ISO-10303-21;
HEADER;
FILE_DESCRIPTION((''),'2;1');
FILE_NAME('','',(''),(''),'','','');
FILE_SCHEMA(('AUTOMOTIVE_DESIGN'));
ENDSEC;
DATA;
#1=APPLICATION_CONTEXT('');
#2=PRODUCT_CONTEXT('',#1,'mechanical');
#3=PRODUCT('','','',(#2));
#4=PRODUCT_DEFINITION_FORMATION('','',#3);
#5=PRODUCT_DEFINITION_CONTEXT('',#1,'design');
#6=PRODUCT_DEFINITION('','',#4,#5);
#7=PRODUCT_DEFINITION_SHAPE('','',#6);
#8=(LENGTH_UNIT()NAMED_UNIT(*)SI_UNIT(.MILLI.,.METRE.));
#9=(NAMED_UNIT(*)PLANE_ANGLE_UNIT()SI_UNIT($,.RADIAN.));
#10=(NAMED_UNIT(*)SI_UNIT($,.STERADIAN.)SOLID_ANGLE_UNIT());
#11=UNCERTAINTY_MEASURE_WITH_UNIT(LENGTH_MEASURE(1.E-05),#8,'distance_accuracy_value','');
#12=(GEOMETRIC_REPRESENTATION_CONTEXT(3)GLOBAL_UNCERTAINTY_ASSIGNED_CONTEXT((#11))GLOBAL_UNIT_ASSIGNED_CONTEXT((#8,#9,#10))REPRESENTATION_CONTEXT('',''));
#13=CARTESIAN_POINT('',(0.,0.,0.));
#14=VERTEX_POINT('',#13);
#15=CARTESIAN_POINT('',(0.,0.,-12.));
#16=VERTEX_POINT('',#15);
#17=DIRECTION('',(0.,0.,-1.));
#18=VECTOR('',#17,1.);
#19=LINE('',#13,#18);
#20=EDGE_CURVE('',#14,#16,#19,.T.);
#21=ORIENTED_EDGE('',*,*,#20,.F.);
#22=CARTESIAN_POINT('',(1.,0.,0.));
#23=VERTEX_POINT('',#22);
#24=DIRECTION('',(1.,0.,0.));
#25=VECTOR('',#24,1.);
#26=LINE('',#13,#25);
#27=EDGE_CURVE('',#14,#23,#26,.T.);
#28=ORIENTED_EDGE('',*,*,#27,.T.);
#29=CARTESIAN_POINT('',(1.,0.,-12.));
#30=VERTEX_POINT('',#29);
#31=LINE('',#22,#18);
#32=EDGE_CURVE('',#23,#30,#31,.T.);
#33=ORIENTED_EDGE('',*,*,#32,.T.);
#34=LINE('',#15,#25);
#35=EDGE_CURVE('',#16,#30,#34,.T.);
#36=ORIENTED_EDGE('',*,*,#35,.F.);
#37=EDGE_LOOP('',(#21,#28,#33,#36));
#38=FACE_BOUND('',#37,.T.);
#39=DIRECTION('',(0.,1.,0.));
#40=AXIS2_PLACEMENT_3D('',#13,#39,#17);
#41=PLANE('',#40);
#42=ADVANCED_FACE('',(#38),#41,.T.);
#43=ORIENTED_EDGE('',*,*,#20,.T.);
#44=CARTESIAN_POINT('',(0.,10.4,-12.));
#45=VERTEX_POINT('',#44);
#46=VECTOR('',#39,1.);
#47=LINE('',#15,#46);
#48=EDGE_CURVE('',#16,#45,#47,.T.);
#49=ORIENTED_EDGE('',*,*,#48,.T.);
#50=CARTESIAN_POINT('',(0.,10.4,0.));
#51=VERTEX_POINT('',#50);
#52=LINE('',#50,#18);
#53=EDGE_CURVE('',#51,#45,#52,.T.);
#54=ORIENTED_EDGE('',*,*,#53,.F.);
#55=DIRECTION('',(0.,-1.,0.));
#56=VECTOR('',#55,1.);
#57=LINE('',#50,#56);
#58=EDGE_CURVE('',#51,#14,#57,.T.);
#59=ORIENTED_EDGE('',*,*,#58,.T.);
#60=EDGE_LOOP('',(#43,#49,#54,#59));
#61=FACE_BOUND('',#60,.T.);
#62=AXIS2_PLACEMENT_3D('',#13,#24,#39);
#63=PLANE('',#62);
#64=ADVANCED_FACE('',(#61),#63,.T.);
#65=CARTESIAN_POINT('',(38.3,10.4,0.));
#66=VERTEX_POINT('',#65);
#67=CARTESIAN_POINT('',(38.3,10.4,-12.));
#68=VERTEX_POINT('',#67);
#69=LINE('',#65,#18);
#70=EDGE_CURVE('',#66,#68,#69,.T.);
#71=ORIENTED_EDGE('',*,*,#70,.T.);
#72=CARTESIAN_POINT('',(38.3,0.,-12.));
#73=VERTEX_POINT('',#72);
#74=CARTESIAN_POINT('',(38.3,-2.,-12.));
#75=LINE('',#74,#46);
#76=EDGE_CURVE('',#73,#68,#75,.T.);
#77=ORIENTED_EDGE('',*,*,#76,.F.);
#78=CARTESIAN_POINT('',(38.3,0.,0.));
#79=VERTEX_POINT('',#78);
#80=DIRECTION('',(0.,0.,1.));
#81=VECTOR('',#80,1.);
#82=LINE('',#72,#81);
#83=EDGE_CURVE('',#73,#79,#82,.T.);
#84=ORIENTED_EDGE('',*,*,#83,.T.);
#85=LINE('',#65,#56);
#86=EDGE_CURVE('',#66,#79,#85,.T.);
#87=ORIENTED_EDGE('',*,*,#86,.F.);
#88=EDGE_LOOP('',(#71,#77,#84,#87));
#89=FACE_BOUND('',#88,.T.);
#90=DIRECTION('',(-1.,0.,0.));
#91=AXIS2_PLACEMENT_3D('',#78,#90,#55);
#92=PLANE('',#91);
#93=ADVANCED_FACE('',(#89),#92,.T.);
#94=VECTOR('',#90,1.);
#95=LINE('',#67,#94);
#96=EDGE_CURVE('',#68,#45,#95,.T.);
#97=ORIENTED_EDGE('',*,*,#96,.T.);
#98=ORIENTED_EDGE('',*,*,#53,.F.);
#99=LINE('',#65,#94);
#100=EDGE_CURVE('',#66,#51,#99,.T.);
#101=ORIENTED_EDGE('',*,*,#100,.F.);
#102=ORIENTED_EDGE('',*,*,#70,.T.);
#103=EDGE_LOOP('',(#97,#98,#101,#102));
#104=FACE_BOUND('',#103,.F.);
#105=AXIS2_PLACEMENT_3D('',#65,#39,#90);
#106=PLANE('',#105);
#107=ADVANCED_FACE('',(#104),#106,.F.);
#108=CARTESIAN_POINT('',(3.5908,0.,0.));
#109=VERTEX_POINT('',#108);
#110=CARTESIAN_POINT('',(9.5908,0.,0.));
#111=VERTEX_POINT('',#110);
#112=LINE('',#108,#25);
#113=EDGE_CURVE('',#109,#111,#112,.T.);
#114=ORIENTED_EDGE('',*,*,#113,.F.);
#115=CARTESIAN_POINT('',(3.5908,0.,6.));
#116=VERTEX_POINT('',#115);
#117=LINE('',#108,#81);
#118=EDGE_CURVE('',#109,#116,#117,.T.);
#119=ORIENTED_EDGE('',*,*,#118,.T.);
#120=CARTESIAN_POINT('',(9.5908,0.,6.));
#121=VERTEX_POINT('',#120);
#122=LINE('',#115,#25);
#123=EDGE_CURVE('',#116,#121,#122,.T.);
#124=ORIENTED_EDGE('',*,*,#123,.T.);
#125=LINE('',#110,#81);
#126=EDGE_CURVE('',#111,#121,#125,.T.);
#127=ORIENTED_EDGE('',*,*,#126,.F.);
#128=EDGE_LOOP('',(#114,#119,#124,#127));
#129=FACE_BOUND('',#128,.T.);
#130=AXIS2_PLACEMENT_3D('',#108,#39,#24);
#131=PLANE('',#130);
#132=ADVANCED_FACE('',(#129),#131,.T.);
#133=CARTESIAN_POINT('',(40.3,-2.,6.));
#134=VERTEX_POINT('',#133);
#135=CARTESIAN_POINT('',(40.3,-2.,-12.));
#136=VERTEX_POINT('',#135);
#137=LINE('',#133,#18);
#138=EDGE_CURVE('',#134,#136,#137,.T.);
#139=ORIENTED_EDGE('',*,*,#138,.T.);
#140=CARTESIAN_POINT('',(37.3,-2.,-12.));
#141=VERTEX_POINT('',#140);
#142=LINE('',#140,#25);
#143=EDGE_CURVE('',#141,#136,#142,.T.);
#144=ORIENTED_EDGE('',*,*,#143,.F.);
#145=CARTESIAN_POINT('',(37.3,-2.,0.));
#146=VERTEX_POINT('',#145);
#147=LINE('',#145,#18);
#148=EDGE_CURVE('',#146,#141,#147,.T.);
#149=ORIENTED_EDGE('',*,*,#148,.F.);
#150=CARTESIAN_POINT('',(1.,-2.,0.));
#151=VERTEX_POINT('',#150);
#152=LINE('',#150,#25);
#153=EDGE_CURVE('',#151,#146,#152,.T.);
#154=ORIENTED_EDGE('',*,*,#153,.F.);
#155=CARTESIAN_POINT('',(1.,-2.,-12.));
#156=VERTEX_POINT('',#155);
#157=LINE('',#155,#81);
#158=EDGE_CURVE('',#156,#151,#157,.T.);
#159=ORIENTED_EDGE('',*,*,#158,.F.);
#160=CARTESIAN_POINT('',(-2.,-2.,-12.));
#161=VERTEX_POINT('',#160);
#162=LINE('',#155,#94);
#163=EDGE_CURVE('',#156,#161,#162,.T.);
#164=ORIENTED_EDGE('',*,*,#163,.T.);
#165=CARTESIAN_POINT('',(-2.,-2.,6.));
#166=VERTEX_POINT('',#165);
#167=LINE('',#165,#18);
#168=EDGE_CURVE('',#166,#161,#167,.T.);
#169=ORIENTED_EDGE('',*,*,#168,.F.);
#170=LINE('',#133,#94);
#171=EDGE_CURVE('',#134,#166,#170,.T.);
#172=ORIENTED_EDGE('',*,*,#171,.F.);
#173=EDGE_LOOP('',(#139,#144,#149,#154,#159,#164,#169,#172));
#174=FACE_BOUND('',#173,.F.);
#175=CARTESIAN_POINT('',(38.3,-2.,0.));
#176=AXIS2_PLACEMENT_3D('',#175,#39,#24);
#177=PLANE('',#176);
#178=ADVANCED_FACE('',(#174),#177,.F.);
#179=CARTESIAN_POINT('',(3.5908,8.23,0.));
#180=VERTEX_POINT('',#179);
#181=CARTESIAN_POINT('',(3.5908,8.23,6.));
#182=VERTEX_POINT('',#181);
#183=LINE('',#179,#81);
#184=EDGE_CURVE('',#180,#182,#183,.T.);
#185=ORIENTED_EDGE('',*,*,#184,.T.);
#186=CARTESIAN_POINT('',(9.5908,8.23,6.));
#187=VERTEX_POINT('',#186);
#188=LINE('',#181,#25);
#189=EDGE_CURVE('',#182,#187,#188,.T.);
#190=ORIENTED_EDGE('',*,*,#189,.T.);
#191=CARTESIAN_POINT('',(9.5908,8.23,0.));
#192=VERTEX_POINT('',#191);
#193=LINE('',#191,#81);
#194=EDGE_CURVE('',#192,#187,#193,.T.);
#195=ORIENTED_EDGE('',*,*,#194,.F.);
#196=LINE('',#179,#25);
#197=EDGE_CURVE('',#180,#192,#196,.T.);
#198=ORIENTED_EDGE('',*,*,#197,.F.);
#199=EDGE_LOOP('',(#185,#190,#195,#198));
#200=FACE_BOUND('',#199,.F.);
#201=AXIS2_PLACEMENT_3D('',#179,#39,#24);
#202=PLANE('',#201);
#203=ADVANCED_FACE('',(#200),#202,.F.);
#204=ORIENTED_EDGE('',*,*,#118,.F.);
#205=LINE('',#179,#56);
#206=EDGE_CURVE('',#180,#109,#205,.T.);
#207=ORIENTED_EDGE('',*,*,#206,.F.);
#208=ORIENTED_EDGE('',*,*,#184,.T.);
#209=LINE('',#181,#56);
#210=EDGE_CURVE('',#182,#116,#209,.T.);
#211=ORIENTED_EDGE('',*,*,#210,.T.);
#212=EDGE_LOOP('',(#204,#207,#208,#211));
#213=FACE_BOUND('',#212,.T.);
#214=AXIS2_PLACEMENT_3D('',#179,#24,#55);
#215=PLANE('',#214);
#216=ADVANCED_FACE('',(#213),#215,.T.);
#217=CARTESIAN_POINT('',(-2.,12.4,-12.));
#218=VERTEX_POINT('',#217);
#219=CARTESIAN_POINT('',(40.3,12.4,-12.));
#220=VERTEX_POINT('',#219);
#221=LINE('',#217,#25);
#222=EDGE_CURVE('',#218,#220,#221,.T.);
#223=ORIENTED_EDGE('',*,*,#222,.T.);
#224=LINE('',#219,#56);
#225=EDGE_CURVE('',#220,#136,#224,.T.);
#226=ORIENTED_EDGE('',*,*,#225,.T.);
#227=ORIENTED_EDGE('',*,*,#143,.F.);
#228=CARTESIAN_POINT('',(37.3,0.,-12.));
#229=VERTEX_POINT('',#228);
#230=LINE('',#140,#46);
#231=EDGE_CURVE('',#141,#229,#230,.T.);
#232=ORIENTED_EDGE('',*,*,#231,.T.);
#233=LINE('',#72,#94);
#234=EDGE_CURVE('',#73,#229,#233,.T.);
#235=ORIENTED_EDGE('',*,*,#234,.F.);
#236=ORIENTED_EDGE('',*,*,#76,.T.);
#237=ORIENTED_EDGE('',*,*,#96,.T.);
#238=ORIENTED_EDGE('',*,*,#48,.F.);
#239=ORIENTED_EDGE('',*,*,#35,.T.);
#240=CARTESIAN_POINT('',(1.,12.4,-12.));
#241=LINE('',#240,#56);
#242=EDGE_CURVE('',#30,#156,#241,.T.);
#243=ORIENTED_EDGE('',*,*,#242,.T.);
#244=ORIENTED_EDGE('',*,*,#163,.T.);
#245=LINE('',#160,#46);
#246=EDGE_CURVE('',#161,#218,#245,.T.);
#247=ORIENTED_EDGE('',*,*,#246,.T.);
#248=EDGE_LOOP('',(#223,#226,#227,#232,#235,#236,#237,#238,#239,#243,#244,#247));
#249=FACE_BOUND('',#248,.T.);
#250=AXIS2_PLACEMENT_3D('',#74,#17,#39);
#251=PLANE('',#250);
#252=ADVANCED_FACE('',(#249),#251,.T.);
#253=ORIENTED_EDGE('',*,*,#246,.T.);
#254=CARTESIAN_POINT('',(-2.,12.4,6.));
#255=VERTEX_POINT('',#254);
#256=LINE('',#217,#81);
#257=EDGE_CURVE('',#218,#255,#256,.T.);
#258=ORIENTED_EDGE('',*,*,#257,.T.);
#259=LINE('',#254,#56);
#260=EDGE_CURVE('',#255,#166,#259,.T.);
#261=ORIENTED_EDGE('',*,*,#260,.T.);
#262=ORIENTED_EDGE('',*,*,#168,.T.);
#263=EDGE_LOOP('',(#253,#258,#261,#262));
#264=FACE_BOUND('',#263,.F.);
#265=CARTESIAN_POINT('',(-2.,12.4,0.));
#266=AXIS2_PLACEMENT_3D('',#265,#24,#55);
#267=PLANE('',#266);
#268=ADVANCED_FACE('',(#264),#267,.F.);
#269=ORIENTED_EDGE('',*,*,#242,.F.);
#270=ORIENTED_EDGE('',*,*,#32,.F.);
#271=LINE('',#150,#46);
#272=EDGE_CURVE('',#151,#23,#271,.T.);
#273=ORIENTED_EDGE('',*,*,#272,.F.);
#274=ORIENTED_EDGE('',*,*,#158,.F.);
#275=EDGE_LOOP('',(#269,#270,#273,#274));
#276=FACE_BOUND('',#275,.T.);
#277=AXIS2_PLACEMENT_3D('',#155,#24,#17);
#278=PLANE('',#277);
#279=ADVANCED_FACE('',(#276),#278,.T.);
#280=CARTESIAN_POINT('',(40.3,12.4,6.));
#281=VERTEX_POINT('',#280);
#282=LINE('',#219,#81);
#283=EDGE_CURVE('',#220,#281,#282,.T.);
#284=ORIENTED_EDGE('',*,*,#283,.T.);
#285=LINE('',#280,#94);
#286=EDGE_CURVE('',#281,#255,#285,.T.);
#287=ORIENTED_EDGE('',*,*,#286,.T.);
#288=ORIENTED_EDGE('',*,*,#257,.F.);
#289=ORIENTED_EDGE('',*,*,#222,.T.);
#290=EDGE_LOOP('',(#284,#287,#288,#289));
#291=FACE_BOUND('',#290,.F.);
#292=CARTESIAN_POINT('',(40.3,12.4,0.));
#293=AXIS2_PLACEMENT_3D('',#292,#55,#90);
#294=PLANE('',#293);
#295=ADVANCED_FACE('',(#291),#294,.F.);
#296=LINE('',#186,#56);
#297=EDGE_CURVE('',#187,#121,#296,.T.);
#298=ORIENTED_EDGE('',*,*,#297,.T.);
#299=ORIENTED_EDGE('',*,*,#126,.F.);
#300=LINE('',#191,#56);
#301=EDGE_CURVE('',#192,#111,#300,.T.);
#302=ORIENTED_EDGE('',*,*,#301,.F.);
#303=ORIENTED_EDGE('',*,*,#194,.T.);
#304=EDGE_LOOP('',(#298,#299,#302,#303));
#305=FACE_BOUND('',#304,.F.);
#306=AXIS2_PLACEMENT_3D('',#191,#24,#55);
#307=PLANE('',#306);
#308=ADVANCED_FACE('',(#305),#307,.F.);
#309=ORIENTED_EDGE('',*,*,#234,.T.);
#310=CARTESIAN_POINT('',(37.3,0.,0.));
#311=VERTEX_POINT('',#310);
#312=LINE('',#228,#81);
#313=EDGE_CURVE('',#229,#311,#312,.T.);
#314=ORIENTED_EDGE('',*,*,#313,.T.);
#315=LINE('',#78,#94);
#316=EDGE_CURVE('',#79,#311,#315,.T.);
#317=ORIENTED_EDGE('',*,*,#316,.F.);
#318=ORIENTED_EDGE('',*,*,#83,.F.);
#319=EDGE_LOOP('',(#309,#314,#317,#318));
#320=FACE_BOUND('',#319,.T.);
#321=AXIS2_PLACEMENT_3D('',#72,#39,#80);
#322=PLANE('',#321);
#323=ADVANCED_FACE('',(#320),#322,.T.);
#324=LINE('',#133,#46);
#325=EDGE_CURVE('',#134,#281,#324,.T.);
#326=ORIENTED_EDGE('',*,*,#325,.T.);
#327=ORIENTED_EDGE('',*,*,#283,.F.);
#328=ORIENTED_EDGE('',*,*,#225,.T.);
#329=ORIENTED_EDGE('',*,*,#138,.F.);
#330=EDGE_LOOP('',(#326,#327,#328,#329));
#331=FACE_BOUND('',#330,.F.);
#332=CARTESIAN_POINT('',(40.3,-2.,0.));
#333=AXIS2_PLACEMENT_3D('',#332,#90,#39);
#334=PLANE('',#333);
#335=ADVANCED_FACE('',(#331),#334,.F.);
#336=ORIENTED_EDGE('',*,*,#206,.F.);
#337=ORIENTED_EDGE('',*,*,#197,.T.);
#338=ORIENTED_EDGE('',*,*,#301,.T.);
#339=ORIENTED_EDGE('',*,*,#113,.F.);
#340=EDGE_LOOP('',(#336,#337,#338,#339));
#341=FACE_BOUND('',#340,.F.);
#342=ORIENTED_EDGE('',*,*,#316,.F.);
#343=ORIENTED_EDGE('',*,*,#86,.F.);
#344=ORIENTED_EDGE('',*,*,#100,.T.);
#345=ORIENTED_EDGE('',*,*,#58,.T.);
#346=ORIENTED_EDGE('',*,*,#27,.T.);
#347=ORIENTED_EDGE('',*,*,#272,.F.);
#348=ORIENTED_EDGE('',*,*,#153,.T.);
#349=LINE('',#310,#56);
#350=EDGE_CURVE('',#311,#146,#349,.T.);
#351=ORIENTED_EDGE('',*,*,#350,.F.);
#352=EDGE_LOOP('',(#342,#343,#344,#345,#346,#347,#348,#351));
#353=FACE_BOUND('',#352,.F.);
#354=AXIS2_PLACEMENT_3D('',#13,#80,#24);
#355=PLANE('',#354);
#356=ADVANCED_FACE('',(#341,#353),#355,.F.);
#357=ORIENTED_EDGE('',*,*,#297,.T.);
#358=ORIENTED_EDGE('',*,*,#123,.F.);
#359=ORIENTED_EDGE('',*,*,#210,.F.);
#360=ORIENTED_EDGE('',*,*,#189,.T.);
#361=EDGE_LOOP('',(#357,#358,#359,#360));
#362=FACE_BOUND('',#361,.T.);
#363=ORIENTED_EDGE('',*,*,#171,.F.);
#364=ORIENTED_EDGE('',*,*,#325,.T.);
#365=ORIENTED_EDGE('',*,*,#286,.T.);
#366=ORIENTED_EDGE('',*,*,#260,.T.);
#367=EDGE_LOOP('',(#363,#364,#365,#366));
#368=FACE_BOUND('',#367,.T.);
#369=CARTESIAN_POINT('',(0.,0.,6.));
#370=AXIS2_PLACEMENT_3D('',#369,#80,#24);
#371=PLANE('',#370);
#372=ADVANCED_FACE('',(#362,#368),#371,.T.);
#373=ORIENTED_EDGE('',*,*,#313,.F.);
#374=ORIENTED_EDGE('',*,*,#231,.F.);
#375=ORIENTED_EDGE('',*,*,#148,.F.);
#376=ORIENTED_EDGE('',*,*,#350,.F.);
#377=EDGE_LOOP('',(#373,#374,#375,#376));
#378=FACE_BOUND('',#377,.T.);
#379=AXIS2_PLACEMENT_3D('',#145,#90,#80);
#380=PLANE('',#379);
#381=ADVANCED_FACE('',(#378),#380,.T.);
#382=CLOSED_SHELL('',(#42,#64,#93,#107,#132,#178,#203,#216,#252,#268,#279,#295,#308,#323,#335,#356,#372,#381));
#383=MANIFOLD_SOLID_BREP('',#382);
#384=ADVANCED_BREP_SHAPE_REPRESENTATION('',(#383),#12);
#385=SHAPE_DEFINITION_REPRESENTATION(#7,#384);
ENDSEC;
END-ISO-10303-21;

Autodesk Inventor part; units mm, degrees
ref_plane "YZ Plane" through (0, 0, 0) normal (1, 0, 0) x (0, 1, 0)
ref_plane "XZ Plane" through (0, 0, 0) normal (0, 1, 0) x (-1, 0, 0)
sketch "Sketch1" plane through (0, 0, 0) normal (0, 0, 1) x (1, 0, 0)
  line L0 (0, 5.1) -> (0, 10.2)
  line L1 (38.3, 5.1) -> (38.3, 10.2)
  line L2 (0, 0) -> (0, 5.1)
  line L3 (38.3, 0) -> (38.3, 5.1)
  line L4 (40.3, -1) -> (40.3, 11.2)
  line L5 (40.3, -1) -> (40.3, -2)
  line L6 (40.3, -2) -> (-1, -2)
  line L7 (-1, -2) -> (-2, -2)
  line L8 (-2, -2) -> (-2, 11.2)
  line L9 (38.3, 5.1) -> (38.3, 10.4)
  line L10 (38.3, 10.4) -> (0, 10.4)
  line L11 (0, 10.4) -> (0, 5.1)
  line L12 (0, 12.4) -> (-2, 12.4)
  line L13 (-2, 12.4) -> (-2, 11.2)
  line L14 (0, 12.4) -> (40.3, 12.4)
  line L15 (40.3, 12.4) -> (40.3, 11.2)
  line L16 (38.3, 0) -> (38.3, -2)
  line L17 (0, 0) -> (0, -2)
  dimension "d108" = 5.3
extrude "Extrusion1" add sketch "Sketch1" against normal blind 12 contours L2 L17 L6 L7 L8 L13 L12 L14 L15 L4 L5 L16 L3 L1 L9 L10 L11 L0
sketch "Sketch2" plane through (0, 0, 0) normal (0, 0, 1) x (1, 0, 0)
  line L0 (3.5908, 8.23) -> (9.5908, 8.23)
  line L1 (9.5908, 8.23) -> (9.5908, 0)
  line L2 (3.5908, 0) -> (9.5908, 0)
  line L3 (3.5908, 8.23) -> (3.5908, 0)
  line L4 (40.3, 12.4) -> (-2, 12.4)
  line L5 (-2, 12.4) -> (-2, -2)
  line L6 (-2, -2) -> (15, -2)
  line L7 (15, -2) -> (40.3, -2)
  line L8 (38.3, -2) -> (40.3, -2) projected
  line L9 (40.3, -2) -> (40.3, 12.4)
  line L10 (40.3, -2) -> (40.3, 12.4) projected
  point P0 (39.3, 11.2)
  point P1 (15, 12.4)
  dimension "d4" = 6
ref_plane "Work Plane10" through (0, 5.1, -62.2) normal (0, 0, -1) x (0, 1, 0)
sketch "Sketch20" plane through (0, -2, -12) normal (1, 0, 0) x (0, 0, -1)
  line L0 (0, 14.4) -> (0, 0) projected
  line L1 (0, 2) -> (0, 0)
  line L2 (0, 0) -> (-12, 0)
  line L3 (-12, 0) -> (0, 0) projected
  line L4 (-12, 0) -> (-12, 2)
  line L5 (-12, 2) -> (0, 2)
extrude "Extrusion25" add sketch "Sketch20" along normal blind 1
sketch "Sketch21" plane through (38.3, -2, 0) normal (-1, 0, 0) x (0, 0, 1)
  line L0 (0, 2) -> (0, 0)
  line L1 (-12, 0) -> (-12, 2)
  line L2 (-12, 14.4) -> (-12, 0) projected
  line L3 (0, 2) -> (0, 0)
  line L4 (-12, 2) -> (0, 2)
  line L5 (0, 2) -> (2.5, 2) projected
  line L6 (0, 2) -> (0, 0)
  line L7 (0, 0) -> (-12, 0)
  line L8 (0, 0) -> (-12, 0) projected
extrude "Extrusion26" add sketch "Sketch21" along normal blind 1
extrude "Extrusion27" add sketch "Sketch2" along normal blind 6
properties part number "frame2"
